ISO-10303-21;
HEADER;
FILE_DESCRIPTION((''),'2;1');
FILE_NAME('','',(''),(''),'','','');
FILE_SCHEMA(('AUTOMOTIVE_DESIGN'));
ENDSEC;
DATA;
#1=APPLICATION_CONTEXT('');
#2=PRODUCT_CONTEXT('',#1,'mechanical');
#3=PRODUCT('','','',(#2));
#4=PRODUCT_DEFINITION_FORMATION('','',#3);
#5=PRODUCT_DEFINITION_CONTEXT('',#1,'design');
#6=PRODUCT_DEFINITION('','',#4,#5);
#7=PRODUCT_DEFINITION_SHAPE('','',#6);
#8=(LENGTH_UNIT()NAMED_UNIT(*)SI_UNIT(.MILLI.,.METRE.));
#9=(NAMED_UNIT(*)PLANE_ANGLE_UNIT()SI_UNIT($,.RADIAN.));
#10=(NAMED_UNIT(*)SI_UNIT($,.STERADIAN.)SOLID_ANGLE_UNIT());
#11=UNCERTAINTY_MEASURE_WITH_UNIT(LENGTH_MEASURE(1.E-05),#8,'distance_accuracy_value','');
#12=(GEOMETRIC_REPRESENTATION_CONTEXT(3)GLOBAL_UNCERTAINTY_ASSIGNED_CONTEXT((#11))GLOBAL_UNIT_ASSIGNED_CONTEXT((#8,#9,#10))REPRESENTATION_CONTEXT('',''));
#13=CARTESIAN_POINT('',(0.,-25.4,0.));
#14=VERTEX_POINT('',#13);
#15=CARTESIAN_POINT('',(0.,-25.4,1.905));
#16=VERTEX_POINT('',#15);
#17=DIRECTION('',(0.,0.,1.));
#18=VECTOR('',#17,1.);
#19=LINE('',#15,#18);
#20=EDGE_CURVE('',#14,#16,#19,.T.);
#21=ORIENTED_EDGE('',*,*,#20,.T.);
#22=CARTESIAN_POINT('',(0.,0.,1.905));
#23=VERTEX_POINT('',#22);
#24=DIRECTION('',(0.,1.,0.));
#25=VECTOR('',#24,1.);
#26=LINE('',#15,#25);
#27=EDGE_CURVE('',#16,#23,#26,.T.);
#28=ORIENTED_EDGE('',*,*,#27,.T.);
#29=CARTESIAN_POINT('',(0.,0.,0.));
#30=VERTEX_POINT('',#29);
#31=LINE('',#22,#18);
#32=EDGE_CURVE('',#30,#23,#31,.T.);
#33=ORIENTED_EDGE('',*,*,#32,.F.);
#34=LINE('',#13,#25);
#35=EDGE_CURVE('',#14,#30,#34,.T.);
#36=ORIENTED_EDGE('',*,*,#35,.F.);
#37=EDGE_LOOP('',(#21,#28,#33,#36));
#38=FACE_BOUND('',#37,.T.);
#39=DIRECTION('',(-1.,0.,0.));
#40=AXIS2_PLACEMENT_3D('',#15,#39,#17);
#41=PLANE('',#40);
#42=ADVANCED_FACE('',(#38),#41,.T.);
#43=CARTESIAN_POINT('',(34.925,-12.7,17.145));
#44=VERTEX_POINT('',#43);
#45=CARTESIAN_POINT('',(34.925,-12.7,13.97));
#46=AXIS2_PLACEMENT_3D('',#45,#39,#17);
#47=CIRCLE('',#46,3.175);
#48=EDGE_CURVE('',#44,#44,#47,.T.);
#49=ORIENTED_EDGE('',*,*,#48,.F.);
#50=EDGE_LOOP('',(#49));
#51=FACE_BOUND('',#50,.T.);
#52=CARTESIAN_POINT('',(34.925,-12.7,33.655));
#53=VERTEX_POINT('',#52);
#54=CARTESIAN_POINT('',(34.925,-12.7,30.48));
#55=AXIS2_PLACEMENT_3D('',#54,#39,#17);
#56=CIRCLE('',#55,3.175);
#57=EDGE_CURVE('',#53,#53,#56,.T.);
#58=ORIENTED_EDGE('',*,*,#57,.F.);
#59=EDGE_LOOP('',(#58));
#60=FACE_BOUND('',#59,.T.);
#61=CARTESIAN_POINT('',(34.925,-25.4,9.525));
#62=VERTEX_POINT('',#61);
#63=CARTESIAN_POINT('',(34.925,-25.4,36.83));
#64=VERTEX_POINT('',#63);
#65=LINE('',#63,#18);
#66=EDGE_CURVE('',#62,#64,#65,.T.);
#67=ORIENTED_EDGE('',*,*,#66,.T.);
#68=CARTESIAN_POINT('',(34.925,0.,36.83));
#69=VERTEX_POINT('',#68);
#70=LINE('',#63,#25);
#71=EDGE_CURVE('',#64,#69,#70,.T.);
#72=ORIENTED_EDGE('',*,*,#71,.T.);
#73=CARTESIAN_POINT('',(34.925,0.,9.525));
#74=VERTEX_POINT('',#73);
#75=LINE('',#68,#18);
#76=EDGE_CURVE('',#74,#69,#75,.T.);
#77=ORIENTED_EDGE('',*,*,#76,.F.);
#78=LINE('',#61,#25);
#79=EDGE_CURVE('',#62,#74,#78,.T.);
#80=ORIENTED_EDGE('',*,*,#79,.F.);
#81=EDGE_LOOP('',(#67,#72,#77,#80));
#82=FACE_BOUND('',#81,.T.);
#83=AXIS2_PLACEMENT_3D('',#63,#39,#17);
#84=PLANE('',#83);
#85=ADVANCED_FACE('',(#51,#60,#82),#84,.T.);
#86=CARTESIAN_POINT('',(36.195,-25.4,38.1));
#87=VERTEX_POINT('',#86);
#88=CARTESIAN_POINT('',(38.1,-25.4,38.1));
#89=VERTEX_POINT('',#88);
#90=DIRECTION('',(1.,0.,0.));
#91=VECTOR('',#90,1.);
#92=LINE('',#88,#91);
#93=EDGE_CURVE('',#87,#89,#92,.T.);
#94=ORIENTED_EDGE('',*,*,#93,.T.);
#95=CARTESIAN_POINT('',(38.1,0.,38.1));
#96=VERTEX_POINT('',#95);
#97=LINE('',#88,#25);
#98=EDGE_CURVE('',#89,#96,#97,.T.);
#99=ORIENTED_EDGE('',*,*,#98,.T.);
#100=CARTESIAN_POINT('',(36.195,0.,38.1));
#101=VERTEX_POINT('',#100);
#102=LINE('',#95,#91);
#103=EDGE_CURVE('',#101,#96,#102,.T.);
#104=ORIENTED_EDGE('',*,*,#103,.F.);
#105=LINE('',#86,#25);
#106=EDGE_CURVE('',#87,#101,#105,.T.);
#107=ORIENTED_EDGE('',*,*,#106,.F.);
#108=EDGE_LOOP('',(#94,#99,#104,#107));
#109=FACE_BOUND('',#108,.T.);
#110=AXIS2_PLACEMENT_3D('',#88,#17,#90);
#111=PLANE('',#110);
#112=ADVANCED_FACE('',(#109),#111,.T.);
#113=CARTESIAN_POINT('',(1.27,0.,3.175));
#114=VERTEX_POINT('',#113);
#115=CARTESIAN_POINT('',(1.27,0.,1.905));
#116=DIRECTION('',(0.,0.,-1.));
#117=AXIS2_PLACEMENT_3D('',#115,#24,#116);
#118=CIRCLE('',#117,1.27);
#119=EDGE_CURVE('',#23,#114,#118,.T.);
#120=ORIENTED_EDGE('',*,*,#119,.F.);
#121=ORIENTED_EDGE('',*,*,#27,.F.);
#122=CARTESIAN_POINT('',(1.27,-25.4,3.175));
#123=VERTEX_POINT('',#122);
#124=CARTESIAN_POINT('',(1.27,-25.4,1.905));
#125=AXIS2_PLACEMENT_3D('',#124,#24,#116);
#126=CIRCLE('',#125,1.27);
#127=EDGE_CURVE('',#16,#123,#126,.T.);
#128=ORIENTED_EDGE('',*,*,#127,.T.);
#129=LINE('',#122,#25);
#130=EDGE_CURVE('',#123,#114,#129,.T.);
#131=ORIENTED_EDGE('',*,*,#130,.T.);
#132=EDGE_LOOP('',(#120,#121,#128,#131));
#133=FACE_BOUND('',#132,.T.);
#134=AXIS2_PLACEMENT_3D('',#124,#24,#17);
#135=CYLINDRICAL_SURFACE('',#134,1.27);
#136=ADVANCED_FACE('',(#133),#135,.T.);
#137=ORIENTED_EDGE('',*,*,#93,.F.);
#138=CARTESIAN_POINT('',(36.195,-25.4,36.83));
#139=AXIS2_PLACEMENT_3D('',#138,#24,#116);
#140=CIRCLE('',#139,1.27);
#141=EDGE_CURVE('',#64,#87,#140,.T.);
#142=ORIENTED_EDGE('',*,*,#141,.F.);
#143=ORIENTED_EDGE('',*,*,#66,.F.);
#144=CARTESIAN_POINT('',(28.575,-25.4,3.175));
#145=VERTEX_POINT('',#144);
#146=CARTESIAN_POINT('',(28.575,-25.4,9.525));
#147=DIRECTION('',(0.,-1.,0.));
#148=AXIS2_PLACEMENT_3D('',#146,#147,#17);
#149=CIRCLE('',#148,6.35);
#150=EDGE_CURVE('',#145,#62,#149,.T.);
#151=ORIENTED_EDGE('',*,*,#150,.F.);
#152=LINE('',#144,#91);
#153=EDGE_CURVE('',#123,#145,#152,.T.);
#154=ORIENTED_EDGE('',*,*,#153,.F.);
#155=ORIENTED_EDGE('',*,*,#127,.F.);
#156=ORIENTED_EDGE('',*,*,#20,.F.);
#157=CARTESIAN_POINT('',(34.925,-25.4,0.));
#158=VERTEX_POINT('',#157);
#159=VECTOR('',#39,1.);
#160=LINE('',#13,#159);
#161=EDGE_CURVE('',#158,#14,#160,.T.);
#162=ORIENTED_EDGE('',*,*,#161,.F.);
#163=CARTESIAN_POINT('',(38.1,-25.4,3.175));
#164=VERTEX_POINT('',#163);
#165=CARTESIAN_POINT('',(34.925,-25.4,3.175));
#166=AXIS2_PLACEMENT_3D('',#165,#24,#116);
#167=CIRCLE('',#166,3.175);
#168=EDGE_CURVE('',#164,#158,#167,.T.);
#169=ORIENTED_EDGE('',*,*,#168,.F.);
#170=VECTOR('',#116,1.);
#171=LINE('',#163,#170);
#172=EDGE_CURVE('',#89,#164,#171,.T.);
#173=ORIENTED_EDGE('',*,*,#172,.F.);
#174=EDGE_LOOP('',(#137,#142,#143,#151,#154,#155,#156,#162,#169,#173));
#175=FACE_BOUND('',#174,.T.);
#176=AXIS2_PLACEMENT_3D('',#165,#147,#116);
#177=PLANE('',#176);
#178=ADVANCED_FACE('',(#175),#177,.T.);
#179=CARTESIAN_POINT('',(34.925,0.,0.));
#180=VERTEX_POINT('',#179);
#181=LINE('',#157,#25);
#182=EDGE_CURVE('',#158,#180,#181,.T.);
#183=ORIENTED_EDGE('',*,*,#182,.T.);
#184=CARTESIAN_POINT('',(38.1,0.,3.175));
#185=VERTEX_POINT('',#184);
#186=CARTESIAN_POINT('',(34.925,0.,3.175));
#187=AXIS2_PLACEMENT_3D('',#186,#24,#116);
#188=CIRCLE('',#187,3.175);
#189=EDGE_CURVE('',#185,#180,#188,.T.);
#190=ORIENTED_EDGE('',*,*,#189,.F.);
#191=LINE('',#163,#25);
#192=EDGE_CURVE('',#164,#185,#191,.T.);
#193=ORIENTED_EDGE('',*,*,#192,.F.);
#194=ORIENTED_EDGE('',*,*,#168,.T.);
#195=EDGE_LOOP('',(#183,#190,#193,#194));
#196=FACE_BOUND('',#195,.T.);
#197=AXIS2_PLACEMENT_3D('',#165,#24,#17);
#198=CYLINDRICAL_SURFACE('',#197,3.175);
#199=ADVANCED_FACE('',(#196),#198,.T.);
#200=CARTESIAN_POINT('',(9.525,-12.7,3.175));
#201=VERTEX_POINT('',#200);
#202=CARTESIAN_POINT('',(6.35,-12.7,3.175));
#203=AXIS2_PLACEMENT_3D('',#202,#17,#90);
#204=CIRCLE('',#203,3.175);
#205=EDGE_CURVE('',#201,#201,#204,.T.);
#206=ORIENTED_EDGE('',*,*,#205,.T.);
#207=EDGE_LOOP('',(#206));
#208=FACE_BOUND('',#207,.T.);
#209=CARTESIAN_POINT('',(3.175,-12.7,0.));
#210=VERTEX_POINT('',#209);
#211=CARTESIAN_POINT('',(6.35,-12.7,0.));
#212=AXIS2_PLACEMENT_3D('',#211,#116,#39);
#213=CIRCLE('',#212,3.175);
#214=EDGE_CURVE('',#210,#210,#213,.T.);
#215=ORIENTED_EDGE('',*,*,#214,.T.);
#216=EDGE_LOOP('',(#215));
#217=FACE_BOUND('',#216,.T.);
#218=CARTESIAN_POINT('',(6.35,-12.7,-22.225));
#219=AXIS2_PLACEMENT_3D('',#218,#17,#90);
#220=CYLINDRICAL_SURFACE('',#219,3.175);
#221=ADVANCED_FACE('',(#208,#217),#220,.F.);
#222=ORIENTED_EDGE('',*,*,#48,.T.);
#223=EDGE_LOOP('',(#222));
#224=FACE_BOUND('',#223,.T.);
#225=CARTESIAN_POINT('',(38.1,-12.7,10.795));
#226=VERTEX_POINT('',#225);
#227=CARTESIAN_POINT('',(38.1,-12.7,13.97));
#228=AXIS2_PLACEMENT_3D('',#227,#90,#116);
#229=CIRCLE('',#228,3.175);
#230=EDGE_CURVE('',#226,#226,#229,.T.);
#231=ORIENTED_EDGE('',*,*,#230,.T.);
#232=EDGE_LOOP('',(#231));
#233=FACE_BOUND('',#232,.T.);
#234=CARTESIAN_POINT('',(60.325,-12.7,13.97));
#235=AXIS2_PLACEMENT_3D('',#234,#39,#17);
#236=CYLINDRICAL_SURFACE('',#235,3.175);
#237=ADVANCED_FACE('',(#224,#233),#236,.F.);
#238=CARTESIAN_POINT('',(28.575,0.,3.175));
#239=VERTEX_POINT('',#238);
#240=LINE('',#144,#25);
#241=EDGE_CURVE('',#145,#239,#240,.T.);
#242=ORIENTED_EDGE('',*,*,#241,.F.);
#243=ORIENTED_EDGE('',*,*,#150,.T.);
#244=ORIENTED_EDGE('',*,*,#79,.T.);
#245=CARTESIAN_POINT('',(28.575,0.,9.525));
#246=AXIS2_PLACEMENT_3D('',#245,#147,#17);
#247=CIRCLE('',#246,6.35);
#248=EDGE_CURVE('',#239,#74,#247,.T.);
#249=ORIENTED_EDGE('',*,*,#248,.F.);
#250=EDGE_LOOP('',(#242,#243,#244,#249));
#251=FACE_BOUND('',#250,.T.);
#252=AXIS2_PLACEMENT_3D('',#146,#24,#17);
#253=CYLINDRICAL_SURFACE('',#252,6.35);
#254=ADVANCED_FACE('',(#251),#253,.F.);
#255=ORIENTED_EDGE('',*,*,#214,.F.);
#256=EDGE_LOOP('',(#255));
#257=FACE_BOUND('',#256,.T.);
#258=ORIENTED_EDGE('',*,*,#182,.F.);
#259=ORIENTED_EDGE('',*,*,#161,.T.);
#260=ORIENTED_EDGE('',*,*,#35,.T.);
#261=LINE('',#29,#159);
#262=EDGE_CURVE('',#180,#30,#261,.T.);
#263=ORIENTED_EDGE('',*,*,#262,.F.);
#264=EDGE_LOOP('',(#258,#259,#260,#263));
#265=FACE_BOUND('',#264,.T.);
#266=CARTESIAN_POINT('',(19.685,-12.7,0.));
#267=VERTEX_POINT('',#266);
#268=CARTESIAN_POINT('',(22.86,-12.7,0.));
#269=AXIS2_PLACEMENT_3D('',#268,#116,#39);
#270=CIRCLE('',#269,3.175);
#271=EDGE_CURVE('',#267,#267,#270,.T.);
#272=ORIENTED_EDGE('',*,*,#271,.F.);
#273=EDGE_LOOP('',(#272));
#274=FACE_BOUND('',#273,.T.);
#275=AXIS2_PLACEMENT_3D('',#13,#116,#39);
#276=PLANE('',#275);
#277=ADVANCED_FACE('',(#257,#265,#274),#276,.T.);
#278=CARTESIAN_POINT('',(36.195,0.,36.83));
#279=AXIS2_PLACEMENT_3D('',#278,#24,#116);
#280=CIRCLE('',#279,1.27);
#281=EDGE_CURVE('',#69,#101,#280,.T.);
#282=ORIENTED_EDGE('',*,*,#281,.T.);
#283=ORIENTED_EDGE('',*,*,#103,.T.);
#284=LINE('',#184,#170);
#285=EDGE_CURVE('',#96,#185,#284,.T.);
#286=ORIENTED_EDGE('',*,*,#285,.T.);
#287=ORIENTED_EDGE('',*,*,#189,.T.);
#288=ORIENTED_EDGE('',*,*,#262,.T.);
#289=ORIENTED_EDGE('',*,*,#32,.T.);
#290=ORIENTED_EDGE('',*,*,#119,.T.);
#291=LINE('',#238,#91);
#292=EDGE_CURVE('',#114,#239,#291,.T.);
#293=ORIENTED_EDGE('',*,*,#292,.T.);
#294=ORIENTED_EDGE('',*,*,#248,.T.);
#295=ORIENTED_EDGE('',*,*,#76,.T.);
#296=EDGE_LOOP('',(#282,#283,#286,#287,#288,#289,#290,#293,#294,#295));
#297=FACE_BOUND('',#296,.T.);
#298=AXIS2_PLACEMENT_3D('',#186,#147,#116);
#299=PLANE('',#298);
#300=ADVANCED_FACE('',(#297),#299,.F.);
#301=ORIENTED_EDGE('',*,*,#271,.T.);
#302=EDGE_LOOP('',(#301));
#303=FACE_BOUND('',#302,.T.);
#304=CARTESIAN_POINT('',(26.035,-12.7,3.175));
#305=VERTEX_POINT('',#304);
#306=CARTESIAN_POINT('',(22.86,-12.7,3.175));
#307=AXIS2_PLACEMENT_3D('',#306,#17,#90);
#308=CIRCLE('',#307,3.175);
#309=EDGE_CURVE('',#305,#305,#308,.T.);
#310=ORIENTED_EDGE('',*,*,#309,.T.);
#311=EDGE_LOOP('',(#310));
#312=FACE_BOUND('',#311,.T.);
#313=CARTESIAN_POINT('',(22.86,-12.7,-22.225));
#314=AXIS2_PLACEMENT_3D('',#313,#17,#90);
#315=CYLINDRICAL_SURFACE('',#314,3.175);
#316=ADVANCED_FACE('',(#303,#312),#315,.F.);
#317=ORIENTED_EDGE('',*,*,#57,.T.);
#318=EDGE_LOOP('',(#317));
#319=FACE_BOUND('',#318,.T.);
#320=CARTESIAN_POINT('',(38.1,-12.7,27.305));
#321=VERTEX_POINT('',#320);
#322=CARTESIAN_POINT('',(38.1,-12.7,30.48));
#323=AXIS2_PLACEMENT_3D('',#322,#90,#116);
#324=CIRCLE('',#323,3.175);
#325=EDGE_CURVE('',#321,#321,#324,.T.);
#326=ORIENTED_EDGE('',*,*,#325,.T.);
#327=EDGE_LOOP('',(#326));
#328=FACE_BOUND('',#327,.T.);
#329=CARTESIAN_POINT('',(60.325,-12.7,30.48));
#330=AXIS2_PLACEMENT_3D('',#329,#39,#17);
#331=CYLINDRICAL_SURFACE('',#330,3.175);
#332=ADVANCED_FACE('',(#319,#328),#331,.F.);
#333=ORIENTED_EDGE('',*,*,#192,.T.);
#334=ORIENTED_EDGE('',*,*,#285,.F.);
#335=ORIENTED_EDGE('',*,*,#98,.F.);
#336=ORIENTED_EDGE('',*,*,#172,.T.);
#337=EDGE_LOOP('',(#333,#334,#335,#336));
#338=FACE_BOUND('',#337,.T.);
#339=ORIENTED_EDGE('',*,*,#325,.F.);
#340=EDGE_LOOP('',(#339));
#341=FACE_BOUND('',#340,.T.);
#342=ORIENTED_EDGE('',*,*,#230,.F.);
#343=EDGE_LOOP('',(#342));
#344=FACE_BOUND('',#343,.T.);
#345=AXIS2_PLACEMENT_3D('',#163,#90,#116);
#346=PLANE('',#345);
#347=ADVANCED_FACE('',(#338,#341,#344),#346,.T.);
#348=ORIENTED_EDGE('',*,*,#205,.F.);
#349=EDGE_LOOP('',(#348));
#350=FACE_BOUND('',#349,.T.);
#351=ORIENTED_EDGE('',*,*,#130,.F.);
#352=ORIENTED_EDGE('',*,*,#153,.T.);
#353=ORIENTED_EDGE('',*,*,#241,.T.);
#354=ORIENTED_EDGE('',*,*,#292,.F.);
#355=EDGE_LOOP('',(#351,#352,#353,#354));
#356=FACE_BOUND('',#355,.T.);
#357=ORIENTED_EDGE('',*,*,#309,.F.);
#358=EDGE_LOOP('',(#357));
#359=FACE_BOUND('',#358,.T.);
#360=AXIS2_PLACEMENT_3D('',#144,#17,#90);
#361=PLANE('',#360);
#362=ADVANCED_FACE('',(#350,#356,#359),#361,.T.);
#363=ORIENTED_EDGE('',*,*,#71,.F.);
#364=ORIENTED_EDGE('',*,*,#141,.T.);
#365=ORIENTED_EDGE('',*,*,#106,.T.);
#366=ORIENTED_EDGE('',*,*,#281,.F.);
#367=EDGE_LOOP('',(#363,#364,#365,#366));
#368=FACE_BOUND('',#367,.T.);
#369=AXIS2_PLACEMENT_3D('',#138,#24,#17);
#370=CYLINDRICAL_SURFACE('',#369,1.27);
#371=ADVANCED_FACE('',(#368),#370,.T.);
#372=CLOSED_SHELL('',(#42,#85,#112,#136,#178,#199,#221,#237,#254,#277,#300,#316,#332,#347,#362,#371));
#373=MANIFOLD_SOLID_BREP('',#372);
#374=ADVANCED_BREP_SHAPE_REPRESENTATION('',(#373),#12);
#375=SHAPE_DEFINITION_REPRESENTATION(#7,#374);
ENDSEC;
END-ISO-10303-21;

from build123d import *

# Parameters (mm, degrees)
BOSS_EXTRUDE1_DEPTH = 25.4
SKETCH2_R           = 3.175
CUT_EXTRUDE1_DEPTH  = 25.4
SKETCH3_R           = 3.175
CUT_EXTRUDE2_DEPTH  = 25.4


with BuildPart() as part:
    # Sketch1 → Boss-Extrude1 (new body)
    with BuildSketch(Plane(origin=(0, 0, 0), x_dir=(1, 0, 0), z_dir=(0, 1, 0))):
        with BuildLine():
            Line((0, 0), (34.925, 0))
            ThreePointArc((34.925, 0), (37.17006403, -0.92993597), (38.1, -3.175))
            Line((38.1, -3.175), (38.1, -38.1))
            Line((38.1, -38.1), (36.195, -38.1))
            ThreePointArc((36.195, -38.1), (35.296974388, -37.728025612), (34.925, -36.83))
            Line((34.925, -36.83), (34.925, -9.525))
            ThreePointArc((34.925, -9.525), (33.065128061, -5.034871939), (28.575, -3.175))
            Line((28.575, -3.175), (1.27, -3.175))
            ThreePointArc((1.27, -3.175), (0.371974388, -2.803025612), (0, -1.905))
            Line((0, -1.905), (0, 0))
        make_face()
    extrude(amount=-BOSS_EXTRUDE1_DEPTH)

    # Sketch2 → Cut-Extrude1 (cut)
    with BuildSketch(Plane.ZY.offset(-34.925)):
        with Locations((30.48, -12.7)):
            Circle(SKETCH2_R)
        with Locations((13.97, -12.7)):
            Circle(SKETCH2_R)
    extrude(amount=-CUT_EXTRUDE1_DEPTH, mode=Mode.SUBTRACT)

    # Sketch3 → Cut-Extrude2 (cut)
    with BuildSketch(Plane.XY.offset(3.175)):
        with Locations((6.35, -12.7)):
            Circle(SKETCH3_R)
        with Locations((22.86, -12.7)):
            Circle(SKETCH3_R)
    extrude(amount=-CUT_EXTRUDE2_DEPTH, mode=Mode.SUBTRACT)


solid = part.part
